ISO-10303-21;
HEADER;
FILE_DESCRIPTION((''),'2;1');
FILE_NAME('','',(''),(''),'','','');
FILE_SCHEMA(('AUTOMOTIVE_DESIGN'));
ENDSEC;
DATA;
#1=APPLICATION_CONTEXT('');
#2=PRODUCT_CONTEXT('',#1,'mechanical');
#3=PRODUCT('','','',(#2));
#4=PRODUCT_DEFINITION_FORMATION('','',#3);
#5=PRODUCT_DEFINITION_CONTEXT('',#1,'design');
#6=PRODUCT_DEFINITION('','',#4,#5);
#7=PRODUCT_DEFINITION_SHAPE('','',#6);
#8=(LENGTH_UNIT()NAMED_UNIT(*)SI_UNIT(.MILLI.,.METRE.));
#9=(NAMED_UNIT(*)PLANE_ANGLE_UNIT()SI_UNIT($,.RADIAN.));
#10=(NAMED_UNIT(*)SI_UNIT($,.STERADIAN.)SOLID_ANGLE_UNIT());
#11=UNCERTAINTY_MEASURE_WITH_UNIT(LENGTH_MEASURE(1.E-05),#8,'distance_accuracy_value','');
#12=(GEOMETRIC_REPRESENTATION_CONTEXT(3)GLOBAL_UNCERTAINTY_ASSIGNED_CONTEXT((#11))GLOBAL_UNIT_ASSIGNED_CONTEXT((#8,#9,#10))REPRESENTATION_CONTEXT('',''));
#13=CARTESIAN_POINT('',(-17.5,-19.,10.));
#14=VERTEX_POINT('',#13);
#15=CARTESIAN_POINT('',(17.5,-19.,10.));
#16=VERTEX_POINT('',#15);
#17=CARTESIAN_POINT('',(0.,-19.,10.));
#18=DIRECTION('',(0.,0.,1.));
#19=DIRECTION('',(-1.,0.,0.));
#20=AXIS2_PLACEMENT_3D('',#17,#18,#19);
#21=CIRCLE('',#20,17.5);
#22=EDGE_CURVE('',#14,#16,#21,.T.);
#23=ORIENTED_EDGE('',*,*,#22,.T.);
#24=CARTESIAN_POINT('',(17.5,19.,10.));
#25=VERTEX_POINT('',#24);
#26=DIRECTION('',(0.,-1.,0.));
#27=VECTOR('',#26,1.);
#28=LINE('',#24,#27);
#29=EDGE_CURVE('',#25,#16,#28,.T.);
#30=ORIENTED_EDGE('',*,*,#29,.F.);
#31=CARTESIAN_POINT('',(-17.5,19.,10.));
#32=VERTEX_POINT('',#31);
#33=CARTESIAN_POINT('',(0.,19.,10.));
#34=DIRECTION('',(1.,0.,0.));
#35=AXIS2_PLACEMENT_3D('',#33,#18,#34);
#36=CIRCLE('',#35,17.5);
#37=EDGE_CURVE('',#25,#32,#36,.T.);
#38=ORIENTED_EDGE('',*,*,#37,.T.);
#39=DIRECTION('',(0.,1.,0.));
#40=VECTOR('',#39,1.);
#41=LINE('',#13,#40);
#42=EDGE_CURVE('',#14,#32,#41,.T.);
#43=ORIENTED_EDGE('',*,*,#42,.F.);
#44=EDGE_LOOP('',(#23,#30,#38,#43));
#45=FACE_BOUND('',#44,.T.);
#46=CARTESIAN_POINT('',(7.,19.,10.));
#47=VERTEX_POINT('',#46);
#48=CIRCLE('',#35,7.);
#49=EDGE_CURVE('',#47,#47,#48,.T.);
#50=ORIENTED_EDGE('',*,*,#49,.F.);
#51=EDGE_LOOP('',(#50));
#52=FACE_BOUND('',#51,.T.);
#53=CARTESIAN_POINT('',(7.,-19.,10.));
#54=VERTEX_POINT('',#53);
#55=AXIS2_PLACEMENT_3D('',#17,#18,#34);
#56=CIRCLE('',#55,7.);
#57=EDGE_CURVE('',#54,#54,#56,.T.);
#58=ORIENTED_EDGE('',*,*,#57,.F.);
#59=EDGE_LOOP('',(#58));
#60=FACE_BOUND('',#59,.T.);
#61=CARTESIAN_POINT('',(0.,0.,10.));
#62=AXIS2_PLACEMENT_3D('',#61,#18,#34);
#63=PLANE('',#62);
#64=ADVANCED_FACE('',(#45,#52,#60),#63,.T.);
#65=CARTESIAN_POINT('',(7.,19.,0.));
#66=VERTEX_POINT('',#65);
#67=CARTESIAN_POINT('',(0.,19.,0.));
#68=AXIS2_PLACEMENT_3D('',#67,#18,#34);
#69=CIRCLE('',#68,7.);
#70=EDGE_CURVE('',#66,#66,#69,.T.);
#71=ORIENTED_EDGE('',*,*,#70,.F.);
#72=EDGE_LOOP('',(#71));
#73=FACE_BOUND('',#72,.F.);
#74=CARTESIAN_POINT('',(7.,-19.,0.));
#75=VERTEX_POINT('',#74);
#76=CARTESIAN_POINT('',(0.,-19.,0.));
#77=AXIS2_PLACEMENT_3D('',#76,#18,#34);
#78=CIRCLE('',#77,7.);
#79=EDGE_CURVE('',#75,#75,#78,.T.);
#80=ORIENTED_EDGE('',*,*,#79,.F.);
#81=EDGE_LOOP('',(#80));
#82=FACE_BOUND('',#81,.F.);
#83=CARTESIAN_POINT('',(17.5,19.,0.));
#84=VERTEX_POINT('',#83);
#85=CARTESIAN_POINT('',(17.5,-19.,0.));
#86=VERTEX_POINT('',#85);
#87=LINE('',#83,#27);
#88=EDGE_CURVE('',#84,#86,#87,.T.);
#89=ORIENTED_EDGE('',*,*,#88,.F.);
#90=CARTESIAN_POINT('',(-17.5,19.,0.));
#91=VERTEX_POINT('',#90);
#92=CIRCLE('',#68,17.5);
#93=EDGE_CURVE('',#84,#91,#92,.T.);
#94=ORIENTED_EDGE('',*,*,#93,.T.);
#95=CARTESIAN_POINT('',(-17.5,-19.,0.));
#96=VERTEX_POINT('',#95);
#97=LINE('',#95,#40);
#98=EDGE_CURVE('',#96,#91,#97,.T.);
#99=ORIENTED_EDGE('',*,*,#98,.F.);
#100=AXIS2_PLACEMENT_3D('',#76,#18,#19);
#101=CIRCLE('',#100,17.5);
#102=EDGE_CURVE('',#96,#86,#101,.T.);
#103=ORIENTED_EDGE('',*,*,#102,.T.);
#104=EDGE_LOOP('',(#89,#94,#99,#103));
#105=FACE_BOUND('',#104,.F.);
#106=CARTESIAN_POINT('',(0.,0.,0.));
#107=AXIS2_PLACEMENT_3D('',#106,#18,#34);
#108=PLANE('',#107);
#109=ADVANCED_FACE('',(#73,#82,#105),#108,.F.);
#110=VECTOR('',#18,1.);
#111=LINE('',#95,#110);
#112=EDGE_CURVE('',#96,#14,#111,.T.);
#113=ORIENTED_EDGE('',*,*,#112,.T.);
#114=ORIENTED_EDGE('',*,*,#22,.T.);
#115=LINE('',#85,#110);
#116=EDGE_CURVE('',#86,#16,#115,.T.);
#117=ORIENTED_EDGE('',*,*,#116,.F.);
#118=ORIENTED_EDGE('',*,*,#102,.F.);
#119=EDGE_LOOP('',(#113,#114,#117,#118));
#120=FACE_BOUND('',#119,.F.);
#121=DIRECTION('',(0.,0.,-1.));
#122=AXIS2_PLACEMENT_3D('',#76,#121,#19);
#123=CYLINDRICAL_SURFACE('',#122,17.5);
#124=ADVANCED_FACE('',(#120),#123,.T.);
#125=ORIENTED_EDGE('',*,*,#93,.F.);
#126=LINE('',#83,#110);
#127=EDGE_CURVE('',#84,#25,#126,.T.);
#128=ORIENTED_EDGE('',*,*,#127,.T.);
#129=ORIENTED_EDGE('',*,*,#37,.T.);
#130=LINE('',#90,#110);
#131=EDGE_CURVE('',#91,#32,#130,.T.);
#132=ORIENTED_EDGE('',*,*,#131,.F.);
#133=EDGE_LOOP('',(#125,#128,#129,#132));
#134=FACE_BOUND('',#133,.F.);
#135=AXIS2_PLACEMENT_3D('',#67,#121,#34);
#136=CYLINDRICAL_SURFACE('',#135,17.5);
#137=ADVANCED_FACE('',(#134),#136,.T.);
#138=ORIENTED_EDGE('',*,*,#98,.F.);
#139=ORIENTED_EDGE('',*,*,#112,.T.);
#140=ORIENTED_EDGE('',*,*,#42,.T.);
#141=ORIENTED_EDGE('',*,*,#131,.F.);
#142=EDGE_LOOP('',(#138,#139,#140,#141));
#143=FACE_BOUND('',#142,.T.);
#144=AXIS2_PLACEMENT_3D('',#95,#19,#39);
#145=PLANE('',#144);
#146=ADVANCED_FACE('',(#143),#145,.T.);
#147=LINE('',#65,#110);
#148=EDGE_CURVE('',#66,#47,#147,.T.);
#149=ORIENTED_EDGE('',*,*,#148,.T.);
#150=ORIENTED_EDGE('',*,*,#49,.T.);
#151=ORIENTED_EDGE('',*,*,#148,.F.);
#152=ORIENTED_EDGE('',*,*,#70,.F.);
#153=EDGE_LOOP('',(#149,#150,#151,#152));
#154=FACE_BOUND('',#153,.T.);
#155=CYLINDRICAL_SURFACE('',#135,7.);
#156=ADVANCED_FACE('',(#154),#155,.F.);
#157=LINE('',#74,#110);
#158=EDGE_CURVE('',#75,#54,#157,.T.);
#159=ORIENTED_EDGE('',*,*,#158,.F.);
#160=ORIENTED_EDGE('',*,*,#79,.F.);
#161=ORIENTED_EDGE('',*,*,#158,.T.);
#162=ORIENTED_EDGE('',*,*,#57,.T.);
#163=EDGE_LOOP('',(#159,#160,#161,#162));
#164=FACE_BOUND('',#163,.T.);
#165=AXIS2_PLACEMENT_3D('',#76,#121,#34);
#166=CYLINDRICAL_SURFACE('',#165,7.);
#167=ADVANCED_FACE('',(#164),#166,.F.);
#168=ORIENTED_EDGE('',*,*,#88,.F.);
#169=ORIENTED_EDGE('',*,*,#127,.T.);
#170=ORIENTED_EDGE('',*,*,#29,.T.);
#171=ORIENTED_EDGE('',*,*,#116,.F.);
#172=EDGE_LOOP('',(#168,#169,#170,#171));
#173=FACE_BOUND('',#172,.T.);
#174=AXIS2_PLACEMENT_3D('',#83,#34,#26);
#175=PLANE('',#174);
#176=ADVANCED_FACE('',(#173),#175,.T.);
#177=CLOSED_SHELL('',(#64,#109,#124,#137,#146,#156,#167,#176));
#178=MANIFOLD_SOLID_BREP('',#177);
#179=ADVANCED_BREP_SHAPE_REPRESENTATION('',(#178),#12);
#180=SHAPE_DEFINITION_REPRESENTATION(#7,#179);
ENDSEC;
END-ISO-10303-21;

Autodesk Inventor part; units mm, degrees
ref_plane "YZ Plane" through (0, 0, 0) normal (1, 0, 0) x (0, 1, 0)
ref_plane "XZ Plane" through (0, 0, 0) normal (0, 1, 0) x (-1, 0, 0)
ref_plane "XY Plane" through (0, 0, 0) normal (0, 0, 1) x (1, 0, 0)
ref_plane "РабПлоскость1" through (0, 0, 0) normal (0, 0, 1) x (1, 0, 0)
sketch "Эскиз1" plane through (0, 0, 0) normal (0, 0, 1) x (1, 0, 0)
  line L0 (17.5, 19) -> (17.5, -19) projected
  arc A0 (17.5, 19) -> (-17.5, 19) centre (0, 19) ccw projected
  line L1 (-17.5, -19) -> (-17.5, 19) projected
  arc A1 (-17.5, -19) -> (17.5, -19) centre (0, -19) ccw projected
  circle A2 centre (0, -19) radius 7 projected
  circle A3 centre (0, 19) radius 7 projected
  point P0 (0, 0)
extrude "Выдавливание1" add sketch "Эскиз1" along normal blind 10
properties part number "Под стяжку" material "Сталь, мягкая"
